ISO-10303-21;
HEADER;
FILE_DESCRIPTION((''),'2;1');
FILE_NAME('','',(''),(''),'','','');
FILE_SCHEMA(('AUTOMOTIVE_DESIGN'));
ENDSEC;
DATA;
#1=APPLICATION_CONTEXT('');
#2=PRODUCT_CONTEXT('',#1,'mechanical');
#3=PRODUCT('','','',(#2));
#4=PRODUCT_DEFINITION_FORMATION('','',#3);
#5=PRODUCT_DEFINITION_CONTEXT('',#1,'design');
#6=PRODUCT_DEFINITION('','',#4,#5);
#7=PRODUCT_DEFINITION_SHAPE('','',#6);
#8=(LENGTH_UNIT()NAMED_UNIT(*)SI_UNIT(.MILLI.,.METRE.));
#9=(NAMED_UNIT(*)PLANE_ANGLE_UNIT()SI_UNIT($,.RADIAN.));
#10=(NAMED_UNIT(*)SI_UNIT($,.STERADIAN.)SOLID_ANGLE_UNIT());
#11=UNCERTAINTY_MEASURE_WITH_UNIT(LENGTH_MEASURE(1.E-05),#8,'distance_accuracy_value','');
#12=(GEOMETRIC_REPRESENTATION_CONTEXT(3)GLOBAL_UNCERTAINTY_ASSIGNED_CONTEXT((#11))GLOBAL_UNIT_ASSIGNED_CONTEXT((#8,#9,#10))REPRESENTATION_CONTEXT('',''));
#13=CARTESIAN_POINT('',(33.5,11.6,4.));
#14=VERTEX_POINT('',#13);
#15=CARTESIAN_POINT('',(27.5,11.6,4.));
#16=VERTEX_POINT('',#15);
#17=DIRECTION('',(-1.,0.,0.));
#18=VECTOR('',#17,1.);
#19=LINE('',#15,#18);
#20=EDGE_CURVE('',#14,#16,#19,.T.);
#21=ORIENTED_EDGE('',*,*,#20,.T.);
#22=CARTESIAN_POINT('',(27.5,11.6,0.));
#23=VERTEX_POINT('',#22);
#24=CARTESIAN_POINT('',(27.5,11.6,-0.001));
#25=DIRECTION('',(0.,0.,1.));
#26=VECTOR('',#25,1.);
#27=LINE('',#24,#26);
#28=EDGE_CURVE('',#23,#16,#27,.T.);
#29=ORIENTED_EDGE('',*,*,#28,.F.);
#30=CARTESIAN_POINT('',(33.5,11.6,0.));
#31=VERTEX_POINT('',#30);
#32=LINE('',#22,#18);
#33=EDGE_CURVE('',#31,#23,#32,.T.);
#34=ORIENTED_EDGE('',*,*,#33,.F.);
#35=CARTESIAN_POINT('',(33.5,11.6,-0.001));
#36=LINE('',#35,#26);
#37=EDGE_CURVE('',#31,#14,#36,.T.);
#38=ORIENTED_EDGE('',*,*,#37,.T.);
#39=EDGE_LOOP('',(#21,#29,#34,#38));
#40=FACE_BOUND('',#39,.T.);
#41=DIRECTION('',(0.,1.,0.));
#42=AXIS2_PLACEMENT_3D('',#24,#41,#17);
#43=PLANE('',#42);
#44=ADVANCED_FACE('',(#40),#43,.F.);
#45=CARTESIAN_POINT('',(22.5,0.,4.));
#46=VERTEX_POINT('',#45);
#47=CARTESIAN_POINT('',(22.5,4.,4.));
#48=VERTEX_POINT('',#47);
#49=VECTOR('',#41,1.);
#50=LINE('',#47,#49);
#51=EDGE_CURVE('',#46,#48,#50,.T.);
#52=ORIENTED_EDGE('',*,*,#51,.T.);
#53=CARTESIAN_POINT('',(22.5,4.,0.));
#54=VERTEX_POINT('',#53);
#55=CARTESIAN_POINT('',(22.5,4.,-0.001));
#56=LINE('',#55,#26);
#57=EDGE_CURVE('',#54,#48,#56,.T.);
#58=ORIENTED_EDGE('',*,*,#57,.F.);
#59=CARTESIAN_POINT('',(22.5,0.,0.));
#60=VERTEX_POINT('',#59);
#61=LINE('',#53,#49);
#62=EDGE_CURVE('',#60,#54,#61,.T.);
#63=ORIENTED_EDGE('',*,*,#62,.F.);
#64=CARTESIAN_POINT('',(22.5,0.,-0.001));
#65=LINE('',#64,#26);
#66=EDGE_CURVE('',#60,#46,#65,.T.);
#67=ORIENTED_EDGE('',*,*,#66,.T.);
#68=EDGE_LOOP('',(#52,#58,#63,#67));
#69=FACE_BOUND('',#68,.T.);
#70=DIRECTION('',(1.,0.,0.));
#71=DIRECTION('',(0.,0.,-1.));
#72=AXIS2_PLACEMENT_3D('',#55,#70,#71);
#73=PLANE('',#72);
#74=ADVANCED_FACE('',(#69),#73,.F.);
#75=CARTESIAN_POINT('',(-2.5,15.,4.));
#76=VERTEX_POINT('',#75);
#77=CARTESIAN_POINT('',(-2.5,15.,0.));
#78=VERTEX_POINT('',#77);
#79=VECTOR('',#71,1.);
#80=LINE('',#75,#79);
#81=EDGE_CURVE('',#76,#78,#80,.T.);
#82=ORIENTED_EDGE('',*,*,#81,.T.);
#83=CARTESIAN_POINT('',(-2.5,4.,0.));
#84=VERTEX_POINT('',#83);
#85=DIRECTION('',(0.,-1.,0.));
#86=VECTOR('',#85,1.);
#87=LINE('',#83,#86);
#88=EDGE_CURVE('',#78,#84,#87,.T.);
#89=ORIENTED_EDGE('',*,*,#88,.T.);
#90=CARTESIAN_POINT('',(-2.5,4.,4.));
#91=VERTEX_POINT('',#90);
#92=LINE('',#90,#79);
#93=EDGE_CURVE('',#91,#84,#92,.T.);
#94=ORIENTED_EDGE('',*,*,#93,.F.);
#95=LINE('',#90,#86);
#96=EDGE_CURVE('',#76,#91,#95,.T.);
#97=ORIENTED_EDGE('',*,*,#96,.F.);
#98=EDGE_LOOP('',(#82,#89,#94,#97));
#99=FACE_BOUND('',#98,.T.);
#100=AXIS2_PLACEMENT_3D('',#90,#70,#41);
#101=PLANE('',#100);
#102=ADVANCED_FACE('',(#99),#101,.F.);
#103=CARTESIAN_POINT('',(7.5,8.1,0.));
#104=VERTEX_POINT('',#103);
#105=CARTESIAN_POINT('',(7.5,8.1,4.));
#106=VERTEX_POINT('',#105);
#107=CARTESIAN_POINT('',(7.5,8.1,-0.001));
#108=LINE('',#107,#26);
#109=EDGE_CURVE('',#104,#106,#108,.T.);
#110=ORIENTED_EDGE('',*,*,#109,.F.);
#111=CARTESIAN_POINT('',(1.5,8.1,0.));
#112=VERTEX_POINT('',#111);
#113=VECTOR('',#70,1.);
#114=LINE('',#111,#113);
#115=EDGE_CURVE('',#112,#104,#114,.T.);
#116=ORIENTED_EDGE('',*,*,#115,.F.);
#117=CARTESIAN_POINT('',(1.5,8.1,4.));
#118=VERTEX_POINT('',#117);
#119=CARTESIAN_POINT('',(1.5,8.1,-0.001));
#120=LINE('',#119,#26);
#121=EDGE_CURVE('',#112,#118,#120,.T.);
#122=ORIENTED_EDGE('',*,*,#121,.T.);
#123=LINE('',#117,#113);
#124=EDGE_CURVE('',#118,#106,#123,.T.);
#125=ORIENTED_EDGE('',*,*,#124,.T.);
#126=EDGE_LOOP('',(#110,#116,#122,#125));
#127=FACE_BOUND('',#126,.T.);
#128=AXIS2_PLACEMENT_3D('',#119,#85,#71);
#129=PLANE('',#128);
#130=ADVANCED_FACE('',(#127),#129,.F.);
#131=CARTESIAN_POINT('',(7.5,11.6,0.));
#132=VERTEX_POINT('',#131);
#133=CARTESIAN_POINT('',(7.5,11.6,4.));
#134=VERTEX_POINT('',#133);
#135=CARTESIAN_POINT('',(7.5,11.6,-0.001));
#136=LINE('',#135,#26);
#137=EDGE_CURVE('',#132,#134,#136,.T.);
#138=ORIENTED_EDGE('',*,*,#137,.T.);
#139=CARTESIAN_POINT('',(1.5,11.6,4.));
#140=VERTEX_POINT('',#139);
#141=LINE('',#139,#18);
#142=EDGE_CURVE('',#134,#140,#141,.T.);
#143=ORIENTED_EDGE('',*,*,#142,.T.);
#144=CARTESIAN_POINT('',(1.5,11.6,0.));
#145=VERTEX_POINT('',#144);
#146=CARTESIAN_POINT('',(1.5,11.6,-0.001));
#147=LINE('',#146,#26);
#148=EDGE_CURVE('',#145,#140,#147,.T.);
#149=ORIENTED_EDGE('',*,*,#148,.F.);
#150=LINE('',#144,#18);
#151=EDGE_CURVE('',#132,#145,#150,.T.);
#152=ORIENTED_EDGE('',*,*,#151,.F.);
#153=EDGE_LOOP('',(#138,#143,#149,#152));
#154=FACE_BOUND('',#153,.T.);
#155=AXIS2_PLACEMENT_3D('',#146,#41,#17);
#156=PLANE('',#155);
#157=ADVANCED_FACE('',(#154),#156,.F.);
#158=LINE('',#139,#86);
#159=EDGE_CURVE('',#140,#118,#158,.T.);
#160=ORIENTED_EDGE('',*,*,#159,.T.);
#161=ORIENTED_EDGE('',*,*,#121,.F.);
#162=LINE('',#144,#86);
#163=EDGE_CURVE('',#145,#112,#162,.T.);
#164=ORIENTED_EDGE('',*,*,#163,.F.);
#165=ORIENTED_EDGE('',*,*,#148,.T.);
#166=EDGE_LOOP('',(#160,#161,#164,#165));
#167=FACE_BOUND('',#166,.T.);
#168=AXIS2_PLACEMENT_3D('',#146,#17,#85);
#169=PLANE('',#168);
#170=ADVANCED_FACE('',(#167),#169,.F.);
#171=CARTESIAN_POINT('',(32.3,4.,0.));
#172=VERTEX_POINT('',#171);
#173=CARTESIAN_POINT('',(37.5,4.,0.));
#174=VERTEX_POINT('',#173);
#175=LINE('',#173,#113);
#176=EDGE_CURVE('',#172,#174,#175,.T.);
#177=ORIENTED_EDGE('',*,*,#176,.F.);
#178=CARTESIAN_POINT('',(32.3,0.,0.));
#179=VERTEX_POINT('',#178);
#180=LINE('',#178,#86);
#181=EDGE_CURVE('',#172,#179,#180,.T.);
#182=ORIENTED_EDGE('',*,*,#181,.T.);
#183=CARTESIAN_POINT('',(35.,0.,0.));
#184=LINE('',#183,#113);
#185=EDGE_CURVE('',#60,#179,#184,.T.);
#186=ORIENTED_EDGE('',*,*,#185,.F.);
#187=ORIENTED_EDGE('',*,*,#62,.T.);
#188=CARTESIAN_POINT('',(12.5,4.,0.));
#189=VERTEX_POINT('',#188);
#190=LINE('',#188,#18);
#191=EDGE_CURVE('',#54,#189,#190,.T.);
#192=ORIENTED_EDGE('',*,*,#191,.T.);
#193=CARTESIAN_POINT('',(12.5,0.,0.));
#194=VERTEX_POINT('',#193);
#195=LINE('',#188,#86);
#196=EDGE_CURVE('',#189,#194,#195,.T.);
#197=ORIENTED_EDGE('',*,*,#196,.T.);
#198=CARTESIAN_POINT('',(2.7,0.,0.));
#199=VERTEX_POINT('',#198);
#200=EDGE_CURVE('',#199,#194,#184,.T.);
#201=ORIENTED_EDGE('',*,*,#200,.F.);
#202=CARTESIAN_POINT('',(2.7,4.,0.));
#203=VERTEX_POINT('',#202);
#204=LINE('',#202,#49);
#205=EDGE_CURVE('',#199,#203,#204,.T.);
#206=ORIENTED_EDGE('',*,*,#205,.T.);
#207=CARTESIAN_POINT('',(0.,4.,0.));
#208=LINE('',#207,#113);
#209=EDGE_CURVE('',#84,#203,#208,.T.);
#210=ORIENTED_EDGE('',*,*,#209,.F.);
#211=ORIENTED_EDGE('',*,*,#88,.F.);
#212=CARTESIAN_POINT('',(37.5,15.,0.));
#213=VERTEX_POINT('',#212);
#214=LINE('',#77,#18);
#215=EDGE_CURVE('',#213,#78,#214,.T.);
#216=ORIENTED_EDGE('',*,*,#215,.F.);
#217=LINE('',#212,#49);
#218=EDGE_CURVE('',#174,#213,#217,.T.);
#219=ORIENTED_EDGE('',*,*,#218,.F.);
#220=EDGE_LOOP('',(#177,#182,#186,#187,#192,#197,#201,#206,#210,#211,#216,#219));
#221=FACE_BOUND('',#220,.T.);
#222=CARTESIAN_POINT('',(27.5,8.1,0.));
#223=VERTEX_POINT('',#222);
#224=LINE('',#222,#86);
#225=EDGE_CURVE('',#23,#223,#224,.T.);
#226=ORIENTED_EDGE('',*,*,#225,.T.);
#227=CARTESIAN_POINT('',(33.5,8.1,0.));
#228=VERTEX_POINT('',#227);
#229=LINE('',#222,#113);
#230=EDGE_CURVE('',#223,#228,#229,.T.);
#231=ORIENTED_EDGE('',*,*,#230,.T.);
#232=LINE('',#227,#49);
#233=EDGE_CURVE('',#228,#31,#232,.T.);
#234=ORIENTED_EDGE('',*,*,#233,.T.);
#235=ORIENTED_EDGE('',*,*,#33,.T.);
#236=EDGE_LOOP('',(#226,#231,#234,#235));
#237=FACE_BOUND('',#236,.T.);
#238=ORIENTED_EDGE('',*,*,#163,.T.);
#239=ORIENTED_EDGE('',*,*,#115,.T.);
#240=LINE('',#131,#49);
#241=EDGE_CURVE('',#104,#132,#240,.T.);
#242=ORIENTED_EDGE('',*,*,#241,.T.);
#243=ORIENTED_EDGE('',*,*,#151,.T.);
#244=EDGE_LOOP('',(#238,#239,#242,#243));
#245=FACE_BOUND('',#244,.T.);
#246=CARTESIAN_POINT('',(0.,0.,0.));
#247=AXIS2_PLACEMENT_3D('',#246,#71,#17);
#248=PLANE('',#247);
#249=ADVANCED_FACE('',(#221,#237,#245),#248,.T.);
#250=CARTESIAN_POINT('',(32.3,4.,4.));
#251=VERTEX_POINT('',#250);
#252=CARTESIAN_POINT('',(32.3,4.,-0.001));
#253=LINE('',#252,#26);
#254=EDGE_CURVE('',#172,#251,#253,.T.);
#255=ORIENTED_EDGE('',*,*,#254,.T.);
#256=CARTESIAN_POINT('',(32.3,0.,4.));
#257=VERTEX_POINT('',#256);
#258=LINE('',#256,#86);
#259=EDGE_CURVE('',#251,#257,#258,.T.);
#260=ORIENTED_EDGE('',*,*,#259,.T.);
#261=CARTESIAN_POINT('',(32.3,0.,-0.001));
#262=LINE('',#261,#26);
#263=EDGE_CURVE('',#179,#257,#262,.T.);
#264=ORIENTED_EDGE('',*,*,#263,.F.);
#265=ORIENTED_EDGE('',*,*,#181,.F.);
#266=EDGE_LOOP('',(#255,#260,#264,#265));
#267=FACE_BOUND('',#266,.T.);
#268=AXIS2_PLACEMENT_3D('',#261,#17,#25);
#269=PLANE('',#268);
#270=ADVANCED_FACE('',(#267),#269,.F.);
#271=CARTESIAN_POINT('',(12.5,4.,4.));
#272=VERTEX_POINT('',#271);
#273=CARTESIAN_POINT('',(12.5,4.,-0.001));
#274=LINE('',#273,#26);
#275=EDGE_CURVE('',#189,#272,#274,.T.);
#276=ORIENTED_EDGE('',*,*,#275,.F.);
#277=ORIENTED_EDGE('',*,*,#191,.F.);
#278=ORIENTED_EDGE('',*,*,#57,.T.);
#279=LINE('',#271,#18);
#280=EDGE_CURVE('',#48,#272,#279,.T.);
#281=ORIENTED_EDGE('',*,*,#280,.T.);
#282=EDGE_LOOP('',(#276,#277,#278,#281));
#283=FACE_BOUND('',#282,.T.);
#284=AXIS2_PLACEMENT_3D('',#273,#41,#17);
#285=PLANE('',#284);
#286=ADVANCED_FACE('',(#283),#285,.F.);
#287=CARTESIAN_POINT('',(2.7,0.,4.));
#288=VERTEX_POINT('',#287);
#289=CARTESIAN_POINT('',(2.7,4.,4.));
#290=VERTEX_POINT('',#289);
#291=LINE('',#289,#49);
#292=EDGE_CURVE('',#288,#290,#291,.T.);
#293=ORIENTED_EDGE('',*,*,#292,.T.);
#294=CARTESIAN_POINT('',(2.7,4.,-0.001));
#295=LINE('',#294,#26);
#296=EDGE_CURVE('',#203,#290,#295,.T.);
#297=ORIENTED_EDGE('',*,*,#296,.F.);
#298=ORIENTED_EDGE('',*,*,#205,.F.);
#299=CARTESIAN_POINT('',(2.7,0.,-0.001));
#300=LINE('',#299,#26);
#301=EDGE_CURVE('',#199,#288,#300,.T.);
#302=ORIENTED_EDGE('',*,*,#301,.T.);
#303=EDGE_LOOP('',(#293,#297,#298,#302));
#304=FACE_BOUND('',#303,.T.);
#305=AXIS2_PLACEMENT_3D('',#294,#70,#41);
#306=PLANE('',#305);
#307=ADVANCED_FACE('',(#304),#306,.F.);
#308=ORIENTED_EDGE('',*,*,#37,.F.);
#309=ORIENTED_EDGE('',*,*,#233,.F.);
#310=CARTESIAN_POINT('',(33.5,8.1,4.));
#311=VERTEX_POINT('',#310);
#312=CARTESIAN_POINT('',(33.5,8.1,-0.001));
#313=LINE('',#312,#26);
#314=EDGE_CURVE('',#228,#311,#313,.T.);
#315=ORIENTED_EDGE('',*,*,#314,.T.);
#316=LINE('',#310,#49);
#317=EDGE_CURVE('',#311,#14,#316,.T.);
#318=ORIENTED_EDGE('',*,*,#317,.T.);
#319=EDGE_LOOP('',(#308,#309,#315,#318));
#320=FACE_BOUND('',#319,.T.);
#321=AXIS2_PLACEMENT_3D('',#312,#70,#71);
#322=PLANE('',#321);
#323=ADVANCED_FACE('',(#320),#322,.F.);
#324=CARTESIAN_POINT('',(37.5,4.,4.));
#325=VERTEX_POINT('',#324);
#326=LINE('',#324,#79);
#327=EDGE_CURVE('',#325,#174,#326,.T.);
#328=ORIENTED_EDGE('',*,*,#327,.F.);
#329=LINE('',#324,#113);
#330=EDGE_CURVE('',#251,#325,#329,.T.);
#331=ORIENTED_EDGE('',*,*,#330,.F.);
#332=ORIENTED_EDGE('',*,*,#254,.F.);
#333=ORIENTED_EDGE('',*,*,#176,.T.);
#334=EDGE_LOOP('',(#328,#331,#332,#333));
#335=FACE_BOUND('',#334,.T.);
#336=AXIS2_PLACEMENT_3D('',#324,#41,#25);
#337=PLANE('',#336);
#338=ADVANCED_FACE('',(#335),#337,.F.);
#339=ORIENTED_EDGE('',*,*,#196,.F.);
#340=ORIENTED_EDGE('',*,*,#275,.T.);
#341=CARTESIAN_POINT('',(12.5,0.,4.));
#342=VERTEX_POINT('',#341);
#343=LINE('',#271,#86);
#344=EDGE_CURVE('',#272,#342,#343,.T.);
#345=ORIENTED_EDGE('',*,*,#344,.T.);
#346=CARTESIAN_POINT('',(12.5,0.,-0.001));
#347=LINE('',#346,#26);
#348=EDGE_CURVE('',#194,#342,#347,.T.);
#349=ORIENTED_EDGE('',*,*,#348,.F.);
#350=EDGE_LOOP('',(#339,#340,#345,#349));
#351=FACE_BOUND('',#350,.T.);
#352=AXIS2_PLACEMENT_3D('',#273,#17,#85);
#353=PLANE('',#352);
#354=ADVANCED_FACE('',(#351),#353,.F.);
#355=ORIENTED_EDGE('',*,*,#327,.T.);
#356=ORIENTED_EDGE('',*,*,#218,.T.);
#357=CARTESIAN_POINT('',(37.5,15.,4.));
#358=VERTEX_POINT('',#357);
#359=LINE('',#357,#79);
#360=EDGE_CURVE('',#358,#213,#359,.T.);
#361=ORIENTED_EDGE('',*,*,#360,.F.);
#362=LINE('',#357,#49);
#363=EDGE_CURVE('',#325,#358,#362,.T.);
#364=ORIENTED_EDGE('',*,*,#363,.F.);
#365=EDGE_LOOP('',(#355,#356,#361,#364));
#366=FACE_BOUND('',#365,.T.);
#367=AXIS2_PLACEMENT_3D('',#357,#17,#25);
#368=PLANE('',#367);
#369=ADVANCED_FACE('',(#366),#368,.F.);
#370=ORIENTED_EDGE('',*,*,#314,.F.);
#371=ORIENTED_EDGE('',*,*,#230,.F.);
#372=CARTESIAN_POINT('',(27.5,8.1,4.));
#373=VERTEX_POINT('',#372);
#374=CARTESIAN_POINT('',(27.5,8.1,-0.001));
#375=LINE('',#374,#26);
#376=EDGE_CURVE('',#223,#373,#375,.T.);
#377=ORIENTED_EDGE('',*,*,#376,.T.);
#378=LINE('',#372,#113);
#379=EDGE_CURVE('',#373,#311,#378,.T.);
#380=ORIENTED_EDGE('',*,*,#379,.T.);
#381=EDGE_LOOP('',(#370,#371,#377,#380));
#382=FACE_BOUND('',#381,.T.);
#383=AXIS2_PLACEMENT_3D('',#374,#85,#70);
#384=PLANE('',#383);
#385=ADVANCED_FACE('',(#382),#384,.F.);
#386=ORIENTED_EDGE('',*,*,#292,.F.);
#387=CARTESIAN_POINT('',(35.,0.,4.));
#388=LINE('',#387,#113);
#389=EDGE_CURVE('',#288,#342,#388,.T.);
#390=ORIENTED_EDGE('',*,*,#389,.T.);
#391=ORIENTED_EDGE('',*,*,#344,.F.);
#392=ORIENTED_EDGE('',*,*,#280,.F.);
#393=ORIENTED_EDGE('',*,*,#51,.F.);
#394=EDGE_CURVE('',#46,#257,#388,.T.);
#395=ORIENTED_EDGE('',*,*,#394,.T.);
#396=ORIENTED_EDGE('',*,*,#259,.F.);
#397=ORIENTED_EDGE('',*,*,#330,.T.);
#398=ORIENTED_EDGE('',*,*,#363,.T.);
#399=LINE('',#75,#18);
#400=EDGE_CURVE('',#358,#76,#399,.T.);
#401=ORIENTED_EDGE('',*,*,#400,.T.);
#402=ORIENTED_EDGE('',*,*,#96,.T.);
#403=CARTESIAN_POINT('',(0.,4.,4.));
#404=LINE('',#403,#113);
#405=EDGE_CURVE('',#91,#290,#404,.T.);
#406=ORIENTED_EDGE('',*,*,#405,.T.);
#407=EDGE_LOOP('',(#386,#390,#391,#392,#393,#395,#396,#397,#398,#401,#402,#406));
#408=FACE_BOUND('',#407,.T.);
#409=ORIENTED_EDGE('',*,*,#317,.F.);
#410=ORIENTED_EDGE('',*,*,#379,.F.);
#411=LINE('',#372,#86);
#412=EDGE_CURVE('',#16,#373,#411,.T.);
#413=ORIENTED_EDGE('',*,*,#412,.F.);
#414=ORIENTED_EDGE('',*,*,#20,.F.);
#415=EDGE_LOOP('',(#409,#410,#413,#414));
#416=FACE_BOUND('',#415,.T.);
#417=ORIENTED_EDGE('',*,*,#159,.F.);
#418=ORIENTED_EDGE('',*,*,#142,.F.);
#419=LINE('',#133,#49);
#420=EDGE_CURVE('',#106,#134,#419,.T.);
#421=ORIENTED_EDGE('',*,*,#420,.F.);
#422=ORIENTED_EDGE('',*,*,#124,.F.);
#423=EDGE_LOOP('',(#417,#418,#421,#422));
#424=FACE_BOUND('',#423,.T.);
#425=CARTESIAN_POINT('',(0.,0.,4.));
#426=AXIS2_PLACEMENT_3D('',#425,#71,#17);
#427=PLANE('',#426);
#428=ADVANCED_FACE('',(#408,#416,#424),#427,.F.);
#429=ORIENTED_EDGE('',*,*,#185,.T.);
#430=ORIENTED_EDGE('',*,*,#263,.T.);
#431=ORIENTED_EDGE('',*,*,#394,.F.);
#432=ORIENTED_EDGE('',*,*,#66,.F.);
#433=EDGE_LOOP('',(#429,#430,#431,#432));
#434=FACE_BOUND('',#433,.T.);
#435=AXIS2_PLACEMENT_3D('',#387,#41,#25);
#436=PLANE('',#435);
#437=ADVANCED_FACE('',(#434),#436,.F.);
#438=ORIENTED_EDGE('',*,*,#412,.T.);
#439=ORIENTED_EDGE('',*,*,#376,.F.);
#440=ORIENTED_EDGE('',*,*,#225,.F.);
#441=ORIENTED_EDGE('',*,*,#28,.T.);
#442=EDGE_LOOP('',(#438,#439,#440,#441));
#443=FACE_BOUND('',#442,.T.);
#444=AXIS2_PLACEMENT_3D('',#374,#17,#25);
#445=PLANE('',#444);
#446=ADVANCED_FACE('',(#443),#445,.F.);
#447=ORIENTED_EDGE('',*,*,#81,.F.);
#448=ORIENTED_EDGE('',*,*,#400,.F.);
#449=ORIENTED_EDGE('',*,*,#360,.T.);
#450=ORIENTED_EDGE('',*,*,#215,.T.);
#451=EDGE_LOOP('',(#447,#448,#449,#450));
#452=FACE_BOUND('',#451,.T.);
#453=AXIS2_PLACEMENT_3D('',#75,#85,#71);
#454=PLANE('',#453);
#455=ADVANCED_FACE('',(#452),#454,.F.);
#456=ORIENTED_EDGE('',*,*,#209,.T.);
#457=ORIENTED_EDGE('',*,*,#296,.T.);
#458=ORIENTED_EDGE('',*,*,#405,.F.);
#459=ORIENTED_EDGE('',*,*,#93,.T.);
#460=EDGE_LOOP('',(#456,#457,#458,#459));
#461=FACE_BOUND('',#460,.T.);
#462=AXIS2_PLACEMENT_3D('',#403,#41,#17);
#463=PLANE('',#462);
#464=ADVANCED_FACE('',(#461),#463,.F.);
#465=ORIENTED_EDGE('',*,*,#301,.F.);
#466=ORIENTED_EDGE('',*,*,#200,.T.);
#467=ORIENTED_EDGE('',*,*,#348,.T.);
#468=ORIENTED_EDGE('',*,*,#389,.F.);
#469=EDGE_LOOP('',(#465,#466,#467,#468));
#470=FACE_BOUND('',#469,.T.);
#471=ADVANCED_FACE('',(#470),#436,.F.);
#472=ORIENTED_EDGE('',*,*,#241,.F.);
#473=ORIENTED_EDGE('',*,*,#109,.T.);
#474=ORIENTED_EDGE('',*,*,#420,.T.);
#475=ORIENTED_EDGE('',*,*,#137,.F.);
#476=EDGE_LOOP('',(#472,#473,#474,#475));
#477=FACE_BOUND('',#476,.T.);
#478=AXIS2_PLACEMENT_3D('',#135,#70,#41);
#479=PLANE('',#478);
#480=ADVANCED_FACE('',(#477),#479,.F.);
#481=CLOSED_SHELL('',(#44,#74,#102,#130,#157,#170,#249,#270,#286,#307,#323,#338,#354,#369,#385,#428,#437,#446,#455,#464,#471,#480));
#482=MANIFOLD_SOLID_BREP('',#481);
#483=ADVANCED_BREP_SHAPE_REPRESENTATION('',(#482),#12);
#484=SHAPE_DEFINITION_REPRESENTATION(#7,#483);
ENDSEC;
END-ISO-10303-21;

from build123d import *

# Parameters (mm, degrees)
AUFSATZ_LINEAR_AUSTRAGEN1_DEPTH = 4
SCHNITT_LINEAR_AUSTRAGEN1_REACH = 6
SKIZZE3_W                       = 2.7
SKIZZE3_H                       = 4
SKIZZE3_W_2                     = 10
SCHNITT_LINEAR_AUSTRAGEN2_REACH = 6
SKIZZE4_W                       = 6
SKIZZE4_H                       = 3.5


with BuildPart() as part:
    # Skizze2 → Aufsatz-Linear austragen1 (new body)
    with BuildSketch(Plane.XY):
        Polygon((0, 0), (0, 4), (-2.5, 4), (-2.5, 15), (37.5, 15), (37.5, 4), (35, 4), (35, 0), align=None)
    extrude(amount=AUFSATZ_LINEAR_AUSTRAGEN1_DEPTH)

    # Skizze3 → Schnitt-Linear austragen1 (cut, up to next)
    with BuildSketch(Plane.XY.offset(4), mode=Mode.PRIVATE) as schnitt_linear_austragen1_sk1:
        with Locations((1.35, 2)):
            Rectangle(SKIZZE3_W, SKIZZE3_H)
    schnitt_linear_austragen1_tool1 = extrude(schnitt_linear_austragen1_sk1.sketch, amount=-SCHNITT_LINEAR_AUSTRAGEN1_REACH, mode=Mode.PRIVATE) & part.part
    add(schnitt_linear_austragen1_tool1.solids().sort_by_distance((1.35, 2, 4))[0], mode=Mode.SUBTRACT)
    # Skizze3 → Schnitt-Linear austragen1 (cut, up to next)
    with BuildSketch(Plane.XY.offset(4), mode=Mode.PRIVATE) as schnitt_linear_austragen1_sk2:
        with Locations((17.5, 2)):
            Rectangle(SKIZZE3_W_2, SKIZZE3_H)
    schnitt_linear_austragen1_tool2 = extrude(schnitt_linear_austragen1_sk2.sketch, amount=-SCHNITT_LINEAR_AUSTRAGEN1_REACH, mode=Mode.PRIVATE) & part.part
    add(schnitt_linear_austragen1_tool2.solids().sort_by_distance((17.5, 2, 4))[0], mode=Mode.SUBTRACT)
    # Skizze3 → Schnitt-Linear austragen1 (cut, up to next)
    with BuildSketch(Plane.XY.offset(4), mode=Mode.PRIVATE) as schnitt_linear_austragen1_sk3:
        with Locations((33.65, 2)):
            Rectangle(SKIZZE3_W, SKIZZE3_H)
    schnitt_linear_austragen1_tool3 = extrude(schnitt_linear_austragen1_sk3.sketch, amount=-SCHNITT_LINEAR_AUSTRAGEN1_REACH, mode=Mode.PRIVATE) & part.part
    add(schnitt_linear_austragen1_tool3.solids().sort_by_distance((33.65, 2, 4))[0], mode=Mode.SUBTRACT)

    # Skizze4 → Schnitt-Linear austragen2 (cut, up to next)
    with BuildSketch(Plane.XY.offset(4), mode=Mode.PRIVATE) as schnitt_linear_austragen2_sk1:
        with Locations((4.5, 9.85)):
            Rectangle(SKIZZE4_W, SKIZZE4_H)
    schnitt_linear_austragen2_tool1 = extrude(schnitt_linear_austragen2_sk1.sketch, amount=-SCHNITT_LINEAR_AUSTRAGEN2_REACH, mode=Mode.PRIVATE) & part.part
    add(schnitt_linear_austragen2_tool1.solids().sort_by_distance((4.5, 9.85, 4))[0], mode=Mode.SUBTRACT)
    # Skizze4 → Schnitt-Linear austragen2 (cut, up to next)
    with BuildSketch(Plane.XY.offset(4), mode=Mode.PRIVATE) as schnitt_linear_austragen2_sk2:
        with Locations((30.5, 9.85)):
            Rectangle(SKIZZE4_W, SKIZZE4_H)
    schnitt_linear_austragen2_tool2 = extrude(schnitt_linear_austragen2_sk2.sketch, amount=-SCHNITT_LINEAR_AUSTRAGEN2_REACH, mode=Mode.PRIVATE) & part.part
    add(schnitt_linear_austragen2_tool2.solids().sort_by_distance((30.5, 9.85, 4))[0], mode=Mode.SUBTRACT)


solid = part.part
